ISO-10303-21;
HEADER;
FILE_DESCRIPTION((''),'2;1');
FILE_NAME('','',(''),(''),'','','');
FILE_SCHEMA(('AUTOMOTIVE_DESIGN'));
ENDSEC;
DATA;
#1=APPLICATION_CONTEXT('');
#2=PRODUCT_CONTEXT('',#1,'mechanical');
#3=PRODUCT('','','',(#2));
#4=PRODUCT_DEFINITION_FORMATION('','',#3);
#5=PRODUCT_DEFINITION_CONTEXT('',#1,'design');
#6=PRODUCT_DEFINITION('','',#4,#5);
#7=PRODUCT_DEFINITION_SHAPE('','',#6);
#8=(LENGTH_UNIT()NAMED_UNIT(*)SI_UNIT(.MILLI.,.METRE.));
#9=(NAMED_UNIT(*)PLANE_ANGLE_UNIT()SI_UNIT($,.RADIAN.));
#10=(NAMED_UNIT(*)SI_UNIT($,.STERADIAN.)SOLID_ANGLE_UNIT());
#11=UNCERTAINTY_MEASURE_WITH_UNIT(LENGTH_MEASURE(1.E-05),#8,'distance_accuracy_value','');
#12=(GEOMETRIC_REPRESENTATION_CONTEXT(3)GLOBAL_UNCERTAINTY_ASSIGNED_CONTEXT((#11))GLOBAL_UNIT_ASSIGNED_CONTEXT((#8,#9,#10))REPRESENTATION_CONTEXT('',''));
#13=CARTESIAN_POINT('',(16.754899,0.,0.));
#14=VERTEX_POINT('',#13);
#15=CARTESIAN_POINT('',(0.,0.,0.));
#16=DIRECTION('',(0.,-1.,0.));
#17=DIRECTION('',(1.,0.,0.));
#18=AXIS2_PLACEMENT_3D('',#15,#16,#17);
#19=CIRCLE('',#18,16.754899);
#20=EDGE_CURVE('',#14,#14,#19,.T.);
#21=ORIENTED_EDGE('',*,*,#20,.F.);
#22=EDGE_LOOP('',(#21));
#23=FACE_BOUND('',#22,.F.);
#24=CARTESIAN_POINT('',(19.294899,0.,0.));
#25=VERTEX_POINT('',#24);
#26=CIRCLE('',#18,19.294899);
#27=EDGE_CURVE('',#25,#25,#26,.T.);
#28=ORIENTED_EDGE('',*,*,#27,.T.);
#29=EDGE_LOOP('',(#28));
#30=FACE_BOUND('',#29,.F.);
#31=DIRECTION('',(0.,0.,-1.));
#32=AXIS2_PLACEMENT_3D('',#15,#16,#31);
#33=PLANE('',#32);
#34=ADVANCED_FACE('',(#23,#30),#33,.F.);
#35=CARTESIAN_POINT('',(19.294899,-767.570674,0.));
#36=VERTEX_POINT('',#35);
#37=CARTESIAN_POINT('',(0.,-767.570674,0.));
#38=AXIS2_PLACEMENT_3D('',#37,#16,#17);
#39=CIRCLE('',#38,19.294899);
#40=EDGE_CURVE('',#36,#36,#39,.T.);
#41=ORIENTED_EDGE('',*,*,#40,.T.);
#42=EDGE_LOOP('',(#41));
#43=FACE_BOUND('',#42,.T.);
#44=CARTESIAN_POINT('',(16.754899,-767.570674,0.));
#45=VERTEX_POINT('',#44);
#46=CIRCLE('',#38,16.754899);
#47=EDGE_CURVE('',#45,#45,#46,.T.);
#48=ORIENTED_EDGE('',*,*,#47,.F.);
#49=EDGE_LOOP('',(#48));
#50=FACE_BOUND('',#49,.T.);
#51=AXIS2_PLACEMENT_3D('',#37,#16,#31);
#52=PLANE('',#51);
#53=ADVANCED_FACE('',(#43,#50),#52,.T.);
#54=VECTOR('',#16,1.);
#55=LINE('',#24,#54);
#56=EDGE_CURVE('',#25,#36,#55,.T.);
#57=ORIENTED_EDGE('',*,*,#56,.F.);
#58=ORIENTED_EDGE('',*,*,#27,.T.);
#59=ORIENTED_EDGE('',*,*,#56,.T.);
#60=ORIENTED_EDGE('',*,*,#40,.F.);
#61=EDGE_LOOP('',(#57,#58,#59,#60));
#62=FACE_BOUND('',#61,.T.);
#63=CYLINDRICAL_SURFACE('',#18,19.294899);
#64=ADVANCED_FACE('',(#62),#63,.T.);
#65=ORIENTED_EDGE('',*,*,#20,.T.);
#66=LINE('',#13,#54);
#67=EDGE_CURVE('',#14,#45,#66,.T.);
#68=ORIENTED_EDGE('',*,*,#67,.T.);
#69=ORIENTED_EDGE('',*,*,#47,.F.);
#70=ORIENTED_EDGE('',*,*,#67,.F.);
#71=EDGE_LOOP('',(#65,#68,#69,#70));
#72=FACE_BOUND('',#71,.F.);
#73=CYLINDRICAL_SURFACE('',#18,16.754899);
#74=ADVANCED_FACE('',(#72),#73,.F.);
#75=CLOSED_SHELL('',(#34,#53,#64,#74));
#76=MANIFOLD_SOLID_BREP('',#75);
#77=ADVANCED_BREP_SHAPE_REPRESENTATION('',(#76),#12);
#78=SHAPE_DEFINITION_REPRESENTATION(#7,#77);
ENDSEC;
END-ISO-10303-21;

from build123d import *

# Parameters (mm, degrees)
F0_R = 19.2948988857
F3_T = -2.54


with BuildPart() as f2:
    # F2: sweep along a path in F1
    with BuildLine(Plane.XY) as f2_path:
        Line((0, 0), (0, -767.5706744194))
    # F0 (on Front) → F2 (sweep)
    with BuildSketch(Plane.XZ):
        Circle(F0_R)
    sweep(path=f2_path.line)

    # F3
    f3_openings = [f2.faces().sort_by_distance(p)[0] for p in [
        (0, -767.570674, 0),
        (0, 0, 0),
    ]]
    offset(amount=F3_T, openings=f3_openings)


solid = f2.part
